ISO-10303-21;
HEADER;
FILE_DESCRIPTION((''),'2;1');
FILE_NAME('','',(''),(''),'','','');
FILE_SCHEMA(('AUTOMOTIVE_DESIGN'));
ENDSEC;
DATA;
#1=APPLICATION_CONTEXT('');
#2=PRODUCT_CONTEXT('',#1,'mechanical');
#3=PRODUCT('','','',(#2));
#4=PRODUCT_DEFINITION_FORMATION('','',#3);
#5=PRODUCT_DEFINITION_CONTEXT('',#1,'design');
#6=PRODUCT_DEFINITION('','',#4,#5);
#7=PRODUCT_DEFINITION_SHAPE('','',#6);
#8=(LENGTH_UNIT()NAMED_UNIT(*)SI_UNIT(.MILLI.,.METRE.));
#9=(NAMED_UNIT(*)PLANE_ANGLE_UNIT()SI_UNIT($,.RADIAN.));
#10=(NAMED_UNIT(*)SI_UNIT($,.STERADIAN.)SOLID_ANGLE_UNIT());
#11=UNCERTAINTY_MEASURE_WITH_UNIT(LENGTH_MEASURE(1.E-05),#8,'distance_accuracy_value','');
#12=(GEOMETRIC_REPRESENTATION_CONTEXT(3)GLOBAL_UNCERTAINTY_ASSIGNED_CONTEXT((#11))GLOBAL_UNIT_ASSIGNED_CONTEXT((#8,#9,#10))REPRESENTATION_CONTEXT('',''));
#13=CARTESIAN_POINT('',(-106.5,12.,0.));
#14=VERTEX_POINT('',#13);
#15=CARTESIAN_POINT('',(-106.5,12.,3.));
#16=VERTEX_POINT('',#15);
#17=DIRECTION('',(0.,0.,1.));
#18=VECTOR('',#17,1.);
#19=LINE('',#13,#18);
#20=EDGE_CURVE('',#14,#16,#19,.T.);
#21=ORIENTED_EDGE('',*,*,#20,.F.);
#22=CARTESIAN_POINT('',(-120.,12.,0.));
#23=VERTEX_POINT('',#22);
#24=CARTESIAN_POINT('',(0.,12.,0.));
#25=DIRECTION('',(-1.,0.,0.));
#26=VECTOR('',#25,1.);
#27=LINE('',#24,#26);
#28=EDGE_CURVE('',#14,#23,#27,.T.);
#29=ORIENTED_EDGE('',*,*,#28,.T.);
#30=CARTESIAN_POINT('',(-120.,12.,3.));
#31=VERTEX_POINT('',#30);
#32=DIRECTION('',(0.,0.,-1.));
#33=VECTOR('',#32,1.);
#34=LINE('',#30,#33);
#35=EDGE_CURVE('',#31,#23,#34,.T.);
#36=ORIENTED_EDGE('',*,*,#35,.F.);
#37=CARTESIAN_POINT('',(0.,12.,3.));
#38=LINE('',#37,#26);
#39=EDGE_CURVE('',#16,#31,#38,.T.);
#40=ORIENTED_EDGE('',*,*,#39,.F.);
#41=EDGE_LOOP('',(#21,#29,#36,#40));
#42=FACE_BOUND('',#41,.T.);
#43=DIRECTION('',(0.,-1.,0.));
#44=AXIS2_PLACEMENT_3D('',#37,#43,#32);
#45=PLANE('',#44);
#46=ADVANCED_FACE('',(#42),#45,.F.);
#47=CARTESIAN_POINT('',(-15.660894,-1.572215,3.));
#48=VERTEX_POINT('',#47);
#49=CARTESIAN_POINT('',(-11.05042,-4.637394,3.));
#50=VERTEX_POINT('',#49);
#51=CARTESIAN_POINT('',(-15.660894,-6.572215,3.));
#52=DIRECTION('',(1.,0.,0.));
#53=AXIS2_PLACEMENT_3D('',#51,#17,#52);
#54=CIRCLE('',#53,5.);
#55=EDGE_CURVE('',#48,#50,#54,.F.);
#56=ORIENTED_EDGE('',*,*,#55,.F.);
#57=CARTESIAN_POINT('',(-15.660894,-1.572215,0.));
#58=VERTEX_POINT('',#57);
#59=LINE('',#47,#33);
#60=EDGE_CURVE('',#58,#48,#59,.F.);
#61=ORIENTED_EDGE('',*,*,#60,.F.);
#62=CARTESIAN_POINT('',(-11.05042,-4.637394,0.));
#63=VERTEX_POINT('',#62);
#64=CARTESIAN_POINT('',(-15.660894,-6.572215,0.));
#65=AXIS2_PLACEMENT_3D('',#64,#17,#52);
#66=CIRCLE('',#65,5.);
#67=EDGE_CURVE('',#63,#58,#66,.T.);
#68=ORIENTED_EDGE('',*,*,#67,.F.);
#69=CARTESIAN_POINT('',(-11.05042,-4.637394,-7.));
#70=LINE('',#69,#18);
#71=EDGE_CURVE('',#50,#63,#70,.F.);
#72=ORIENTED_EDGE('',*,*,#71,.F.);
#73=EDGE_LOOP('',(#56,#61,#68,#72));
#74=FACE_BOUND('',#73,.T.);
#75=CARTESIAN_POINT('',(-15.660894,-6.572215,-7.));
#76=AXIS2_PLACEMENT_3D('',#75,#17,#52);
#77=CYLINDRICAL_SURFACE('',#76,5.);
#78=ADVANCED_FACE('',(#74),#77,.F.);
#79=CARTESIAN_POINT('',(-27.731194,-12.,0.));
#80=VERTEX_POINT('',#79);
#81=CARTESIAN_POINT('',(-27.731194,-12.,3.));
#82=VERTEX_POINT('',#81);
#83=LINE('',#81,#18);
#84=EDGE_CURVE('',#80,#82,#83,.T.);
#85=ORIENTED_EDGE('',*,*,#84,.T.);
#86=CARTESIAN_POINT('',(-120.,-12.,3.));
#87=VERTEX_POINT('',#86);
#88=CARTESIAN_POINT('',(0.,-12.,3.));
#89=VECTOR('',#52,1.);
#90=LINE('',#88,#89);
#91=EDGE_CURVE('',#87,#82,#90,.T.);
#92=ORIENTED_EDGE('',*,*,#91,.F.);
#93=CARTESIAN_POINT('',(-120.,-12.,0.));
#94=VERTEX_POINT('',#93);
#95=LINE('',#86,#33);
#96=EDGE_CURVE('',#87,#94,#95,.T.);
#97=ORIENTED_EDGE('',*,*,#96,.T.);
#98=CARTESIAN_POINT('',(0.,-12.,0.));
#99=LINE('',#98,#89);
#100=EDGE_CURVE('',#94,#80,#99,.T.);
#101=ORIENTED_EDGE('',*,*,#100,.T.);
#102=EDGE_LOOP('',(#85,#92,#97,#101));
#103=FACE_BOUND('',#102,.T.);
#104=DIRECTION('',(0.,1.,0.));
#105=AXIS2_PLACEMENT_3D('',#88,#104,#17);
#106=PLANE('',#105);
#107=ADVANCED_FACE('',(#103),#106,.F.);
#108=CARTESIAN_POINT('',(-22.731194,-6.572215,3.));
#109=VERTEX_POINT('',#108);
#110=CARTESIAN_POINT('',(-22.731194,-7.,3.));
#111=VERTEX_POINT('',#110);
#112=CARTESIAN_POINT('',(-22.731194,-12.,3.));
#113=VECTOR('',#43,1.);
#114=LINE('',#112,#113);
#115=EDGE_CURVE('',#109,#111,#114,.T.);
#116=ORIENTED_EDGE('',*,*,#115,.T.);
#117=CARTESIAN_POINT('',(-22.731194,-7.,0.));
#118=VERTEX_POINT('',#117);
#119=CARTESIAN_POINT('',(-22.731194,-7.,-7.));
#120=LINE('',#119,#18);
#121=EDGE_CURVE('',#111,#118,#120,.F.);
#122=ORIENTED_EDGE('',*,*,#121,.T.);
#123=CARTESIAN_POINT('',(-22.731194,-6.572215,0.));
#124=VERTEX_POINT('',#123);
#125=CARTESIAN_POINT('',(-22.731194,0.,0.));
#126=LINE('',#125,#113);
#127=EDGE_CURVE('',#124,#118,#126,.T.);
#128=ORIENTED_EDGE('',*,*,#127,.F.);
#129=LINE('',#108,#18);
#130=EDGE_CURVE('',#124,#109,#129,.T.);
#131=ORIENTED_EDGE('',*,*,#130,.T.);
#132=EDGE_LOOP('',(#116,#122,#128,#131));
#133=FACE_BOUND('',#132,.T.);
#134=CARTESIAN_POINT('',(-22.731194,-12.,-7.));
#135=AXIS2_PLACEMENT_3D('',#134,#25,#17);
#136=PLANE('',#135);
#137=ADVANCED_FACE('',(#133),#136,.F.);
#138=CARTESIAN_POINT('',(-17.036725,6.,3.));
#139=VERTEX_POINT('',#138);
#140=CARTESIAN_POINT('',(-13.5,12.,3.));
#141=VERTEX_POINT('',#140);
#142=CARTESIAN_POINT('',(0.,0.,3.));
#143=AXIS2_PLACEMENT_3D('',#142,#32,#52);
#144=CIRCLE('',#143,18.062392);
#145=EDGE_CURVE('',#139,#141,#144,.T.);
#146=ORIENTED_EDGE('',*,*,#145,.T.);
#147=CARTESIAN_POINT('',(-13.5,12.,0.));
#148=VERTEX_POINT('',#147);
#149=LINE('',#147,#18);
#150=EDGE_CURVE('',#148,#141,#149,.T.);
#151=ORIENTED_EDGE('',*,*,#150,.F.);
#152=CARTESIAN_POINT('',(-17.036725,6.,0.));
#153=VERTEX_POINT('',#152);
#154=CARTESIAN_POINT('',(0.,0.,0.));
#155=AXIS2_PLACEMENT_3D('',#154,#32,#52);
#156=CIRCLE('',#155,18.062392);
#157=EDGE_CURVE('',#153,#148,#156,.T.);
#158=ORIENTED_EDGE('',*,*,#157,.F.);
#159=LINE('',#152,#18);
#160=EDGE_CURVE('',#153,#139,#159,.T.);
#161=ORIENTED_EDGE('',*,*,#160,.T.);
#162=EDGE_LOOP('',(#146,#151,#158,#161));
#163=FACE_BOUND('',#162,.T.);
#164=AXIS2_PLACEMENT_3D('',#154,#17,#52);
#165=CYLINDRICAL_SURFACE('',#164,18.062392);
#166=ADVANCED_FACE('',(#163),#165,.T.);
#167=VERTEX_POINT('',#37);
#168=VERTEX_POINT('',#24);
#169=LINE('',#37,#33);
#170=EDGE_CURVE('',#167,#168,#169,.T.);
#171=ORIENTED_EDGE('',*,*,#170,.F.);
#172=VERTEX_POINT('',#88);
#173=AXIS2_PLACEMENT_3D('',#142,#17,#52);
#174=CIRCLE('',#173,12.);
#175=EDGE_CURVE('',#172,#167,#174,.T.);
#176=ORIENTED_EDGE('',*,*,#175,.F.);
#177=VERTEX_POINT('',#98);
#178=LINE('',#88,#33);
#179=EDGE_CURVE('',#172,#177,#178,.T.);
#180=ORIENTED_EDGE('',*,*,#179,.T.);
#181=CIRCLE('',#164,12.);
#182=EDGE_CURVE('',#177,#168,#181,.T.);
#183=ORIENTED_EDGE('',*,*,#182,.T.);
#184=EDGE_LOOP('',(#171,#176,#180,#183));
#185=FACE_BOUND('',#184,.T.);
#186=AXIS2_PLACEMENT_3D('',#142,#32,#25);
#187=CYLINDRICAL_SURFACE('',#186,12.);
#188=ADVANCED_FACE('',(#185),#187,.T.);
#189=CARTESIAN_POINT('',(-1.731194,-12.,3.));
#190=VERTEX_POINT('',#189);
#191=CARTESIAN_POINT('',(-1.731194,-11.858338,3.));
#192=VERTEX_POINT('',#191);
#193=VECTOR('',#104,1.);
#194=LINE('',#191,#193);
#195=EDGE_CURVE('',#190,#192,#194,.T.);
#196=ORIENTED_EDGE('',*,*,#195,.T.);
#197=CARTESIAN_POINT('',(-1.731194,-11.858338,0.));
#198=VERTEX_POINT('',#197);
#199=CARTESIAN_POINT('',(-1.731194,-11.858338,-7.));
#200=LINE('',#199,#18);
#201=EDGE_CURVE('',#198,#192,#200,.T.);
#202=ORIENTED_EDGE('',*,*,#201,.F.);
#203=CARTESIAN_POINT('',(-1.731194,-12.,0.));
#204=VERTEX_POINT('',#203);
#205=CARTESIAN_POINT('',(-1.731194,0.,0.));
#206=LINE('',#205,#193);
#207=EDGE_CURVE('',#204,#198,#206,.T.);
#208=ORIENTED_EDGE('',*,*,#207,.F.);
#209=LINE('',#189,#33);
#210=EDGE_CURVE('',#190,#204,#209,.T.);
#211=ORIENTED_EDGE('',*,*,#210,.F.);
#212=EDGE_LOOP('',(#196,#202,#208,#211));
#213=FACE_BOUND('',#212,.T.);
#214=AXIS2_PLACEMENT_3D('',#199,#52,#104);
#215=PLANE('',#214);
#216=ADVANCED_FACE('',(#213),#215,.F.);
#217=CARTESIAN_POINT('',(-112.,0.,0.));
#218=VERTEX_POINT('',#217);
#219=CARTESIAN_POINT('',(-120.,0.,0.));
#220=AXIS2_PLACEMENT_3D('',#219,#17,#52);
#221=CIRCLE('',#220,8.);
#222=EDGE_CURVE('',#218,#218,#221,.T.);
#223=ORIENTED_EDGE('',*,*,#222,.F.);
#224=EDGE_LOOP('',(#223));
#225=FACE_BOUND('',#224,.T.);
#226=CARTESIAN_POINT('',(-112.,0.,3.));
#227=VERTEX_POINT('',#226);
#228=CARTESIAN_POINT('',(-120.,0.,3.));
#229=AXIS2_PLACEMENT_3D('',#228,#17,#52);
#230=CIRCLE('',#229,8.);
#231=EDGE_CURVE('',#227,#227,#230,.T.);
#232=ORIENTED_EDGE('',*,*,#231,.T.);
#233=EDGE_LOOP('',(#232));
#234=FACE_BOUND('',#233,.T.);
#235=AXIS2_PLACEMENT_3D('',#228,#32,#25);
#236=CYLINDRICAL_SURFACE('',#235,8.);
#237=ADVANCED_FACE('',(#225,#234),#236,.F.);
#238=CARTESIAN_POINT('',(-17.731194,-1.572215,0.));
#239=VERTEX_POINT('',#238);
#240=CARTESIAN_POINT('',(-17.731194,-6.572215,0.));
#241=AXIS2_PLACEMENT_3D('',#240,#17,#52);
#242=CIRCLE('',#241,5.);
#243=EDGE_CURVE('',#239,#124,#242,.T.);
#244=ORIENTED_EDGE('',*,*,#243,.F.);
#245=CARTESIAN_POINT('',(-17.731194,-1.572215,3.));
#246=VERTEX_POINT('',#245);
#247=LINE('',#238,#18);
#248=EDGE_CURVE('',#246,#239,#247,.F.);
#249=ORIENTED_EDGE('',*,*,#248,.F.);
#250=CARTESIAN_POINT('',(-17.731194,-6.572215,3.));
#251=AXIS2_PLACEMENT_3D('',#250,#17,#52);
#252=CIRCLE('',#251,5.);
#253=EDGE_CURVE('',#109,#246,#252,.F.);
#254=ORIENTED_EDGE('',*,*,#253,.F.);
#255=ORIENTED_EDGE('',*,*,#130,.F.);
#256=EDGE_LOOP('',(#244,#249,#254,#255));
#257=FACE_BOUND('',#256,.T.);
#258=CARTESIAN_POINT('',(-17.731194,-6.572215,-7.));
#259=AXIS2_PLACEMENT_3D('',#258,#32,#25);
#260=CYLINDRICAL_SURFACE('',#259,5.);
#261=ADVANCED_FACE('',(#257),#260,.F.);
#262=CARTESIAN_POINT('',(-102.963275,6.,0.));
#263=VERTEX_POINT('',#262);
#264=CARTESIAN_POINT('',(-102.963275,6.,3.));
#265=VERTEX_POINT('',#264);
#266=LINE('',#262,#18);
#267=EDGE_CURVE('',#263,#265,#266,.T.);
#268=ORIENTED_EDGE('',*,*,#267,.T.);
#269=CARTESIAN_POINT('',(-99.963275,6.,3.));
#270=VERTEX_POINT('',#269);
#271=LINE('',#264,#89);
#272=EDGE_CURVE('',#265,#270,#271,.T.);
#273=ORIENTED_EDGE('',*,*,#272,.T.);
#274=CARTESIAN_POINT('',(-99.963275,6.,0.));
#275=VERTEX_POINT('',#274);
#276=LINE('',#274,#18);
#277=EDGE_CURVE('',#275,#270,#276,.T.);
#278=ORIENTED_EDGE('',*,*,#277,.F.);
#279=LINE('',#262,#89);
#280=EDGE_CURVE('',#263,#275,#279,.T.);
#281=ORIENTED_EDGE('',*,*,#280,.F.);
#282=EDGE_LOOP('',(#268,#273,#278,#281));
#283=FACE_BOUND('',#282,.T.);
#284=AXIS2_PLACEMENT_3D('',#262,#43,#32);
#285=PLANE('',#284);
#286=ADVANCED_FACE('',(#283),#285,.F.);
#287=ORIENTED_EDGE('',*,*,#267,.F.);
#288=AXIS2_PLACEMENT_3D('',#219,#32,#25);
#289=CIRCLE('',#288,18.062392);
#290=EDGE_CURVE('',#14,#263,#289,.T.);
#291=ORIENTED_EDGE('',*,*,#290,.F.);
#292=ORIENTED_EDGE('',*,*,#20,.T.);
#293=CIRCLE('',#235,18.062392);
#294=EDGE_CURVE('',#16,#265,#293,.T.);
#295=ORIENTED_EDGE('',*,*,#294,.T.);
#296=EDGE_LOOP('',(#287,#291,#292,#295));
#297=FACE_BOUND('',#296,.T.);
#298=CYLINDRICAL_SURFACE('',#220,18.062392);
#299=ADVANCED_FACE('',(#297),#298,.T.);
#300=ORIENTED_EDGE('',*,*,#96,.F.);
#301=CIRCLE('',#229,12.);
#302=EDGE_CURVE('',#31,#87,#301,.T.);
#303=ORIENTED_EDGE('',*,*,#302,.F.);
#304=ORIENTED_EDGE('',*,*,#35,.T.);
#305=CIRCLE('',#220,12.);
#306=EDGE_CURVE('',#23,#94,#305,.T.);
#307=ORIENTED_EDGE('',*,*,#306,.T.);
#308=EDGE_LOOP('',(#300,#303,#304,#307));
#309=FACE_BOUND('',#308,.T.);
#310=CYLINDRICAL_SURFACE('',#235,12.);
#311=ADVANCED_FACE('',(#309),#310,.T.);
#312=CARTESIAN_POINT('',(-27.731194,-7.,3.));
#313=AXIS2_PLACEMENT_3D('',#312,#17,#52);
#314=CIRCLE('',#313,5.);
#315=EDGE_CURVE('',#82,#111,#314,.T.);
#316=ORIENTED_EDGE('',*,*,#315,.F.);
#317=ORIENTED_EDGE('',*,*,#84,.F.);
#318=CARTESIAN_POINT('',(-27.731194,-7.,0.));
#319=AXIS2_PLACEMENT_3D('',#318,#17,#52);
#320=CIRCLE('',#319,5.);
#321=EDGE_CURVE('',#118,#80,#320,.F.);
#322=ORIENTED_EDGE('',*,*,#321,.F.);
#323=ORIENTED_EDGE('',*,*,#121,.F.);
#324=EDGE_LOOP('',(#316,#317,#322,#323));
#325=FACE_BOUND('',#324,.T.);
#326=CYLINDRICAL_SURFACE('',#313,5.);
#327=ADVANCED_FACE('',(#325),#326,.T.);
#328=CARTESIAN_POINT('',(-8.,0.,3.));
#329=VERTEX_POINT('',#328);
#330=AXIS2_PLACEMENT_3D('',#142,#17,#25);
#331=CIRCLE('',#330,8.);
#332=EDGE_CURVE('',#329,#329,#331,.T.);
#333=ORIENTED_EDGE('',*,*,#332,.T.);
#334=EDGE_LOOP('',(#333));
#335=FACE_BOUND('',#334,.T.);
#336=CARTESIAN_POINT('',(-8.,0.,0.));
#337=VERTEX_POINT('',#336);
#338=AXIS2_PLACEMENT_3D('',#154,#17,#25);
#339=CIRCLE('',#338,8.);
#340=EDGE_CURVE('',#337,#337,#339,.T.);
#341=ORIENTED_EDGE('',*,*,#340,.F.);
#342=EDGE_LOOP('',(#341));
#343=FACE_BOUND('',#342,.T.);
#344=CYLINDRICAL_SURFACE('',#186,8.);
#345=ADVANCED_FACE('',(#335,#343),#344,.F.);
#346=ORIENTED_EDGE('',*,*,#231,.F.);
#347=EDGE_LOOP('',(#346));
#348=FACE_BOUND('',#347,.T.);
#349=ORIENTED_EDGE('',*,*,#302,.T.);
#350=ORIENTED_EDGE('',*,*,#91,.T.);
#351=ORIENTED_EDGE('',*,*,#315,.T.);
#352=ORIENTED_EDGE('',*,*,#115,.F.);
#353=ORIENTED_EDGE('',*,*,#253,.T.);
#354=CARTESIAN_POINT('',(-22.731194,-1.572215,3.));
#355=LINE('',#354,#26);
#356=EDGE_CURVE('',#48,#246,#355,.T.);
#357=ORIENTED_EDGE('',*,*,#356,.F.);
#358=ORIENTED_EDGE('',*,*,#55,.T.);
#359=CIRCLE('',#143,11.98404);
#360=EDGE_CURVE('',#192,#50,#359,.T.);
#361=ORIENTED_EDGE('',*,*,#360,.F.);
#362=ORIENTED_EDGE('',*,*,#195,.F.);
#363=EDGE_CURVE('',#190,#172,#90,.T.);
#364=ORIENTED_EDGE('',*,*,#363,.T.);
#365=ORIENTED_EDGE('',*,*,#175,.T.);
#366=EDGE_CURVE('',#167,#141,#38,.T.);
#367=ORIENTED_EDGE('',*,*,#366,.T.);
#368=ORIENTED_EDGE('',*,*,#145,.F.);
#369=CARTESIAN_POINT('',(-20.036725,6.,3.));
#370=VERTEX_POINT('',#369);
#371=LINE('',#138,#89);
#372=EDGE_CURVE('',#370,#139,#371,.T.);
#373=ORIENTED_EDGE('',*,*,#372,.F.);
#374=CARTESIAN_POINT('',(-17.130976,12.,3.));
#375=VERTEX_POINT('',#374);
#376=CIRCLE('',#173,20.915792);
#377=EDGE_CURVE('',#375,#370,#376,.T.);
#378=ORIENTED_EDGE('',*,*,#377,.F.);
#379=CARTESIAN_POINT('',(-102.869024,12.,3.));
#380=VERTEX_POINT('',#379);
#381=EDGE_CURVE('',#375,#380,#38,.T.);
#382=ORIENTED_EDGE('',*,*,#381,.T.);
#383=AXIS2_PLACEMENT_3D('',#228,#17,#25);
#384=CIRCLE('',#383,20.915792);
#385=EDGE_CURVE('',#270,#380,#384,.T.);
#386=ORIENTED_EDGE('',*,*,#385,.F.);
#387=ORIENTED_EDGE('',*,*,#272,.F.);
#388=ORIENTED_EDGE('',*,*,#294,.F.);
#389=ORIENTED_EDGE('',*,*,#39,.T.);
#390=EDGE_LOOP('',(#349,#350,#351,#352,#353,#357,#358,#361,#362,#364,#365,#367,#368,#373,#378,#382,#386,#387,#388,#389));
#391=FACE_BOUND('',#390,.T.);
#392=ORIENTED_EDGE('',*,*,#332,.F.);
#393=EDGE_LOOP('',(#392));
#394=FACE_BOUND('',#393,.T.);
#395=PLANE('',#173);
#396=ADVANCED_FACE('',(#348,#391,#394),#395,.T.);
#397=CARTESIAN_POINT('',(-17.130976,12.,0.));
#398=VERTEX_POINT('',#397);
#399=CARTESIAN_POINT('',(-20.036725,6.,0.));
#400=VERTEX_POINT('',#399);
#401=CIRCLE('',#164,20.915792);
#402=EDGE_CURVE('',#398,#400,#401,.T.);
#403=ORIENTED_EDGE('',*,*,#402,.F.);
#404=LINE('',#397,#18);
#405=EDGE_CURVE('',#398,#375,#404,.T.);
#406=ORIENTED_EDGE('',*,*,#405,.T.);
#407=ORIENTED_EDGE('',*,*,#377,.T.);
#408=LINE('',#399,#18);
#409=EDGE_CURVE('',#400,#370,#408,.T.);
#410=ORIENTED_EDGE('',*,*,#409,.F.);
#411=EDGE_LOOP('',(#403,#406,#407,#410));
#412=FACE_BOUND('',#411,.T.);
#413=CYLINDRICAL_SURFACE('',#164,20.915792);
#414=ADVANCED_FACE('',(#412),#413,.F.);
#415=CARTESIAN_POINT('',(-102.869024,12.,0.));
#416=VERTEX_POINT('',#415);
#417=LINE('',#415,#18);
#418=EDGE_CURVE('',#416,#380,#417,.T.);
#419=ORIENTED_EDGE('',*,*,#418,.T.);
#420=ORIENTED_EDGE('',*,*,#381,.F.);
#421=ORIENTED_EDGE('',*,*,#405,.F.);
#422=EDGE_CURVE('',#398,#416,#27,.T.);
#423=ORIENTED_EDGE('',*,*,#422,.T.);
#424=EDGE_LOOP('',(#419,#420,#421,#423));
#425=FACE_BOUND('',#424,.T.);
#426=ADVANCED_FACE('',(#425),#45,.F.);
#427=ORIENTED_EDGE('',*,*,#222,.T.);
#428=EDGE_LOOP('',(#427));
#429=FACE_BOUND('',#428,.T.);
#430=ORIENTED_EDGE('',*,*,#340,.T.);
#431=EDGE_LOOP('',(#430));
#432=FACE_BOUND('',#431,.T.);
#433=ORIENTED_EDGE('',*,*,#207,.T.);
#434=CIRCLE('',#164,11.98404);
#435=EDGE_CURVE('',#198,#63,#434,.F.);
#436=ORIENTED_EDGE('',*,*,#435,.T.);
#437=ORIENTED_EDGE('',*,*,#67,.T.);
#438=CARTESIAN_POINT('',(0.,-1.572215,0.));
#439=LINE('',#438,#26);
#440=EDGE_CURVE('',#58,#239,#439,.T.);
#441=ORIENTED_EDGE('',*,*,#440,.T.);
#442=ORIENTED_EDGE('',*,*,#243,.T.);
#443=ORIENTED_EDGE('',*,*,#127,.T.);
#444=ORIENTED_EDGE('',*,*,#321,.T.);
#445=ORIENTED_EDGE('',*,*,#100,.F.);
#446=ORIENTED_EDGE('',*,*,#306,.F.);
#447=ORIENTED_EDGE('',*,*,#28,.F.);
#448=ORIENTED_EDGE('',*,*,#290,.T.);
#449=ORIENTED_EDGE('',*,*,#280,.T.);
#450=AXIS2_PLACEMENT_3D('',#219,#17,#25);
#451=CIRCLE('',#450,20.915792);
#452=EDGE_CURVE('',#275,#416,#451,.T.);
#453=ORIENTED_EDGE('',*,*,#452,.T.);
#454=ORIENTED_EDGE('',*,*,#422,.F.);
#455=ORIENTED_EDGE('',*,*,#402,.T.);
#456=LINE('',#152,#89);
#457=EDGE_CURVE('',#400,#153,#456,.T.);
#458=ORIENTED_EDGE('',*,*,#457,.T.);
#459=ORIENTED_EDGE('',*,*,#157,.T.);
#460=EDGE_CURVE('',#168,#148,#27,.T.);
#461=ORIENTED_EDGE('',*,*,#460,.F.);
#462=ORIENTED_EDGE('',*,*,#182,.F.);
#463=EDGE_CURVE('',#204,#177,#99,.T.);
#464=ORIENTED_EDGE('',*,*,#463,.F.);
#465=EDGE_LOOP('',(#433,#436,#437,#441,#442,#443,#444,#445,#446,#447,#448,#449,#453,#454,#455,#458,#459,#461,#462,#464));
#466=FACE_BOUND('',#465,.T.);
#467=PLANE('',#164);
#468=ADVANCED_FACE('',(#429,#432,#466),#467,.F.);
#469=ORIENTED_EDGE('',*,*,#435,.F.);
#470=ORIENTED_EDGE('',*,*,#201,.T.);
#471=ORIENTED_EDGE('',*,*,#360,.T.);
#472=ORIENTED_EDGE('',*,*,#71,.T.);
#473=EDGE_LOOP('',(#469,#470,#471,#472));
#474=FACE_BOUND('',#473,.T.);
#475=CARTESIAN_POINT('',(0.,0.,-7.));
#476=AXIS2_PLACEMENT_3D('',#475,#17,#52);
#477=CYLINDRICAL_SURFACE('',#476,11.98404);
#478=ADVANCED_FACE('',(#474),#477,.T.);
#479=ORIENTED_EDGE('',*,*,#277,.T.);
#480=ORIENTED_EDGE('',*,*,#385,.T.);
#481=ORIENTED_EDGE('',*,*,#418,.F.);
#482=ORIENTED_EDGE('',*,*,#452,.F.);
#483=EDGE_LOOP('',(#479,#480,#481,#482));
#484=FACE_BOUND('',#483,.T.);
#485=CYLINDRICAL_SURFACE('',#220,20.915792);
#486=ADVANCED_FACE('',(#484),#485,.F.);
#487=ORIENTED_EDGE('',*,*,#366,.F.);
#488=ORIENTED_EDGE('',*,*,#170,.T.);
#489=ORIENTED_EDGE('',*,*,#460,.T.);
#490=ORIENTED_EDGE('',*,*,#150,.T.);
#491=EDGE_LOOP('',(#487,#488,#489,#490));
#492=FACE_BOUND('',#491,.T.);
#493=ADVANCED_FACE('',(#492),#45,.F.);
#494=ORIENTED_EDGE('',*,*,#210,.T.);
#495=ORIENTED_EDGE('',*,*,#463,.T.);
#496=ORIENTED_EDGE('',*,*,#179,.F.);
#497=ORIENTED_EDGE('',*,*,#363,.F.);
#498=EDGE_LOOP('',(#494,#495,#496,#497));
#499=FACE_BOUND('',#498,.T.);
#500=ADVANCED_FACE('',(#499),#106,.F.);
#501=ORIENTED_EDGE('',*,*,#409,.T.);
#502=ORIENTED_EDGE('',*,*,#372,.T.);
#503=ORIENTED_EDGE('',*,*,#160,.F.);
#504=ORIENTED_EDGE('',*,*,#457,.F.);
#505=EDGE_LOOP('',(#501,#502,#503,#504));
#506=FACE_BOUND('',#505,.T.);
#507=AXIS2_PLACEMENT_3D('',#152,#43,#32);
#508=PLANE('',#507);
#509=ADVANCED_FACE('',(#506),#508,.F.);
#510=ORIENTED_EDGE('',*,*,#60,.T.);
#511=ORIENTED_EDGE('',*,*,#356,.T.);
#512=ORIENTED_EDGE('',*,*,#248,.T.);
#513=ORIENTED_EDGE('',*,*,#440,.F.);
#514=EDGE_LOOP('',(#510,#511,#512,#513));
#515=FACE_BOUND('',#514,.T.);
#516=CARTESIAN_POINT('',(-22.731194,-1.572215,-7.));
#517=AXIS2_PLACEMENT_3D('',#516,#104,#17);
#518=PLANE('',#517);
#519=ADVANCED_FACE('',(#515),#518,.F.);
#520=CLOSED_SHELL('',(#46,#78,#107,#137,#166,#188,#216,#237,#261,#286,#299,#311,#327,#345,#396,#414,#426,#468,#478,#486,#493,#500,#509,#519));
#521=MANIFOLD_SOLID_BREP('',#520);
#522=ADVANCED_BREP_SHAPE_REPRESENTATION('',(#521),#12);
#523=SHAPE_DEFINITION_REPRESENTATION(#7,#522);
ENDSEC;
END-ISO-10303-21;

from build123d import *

# Parameters (mm, degrees)
SKETCH1_R           = 8
BOSS_EXTRUDE1_DEPTH = 3
CUT_EXTRUDE1_DEPTH  = 133.578278764
CUT_EXTRUDE8_DEPTH  = 10
FILLET2_R           = 5
FILLET3_R           = 5
FILLET4_R           = 5


with BuildPart() as part:
    # Sketch1 → Boss-Extrude1 (new body)
    with BuildSketch(Plane.XY):
        with BuildLine():
            Line((0, -12), (-120, -12))
            ThreePointArc((-120, -12), (-132, 0), (-120, 12))
            Line((-120, 12), (0, 12))
            ThreePointArc((0, 12), (12, 0), (0, -12))
        make_face()
        with Locations((-120, 0)):
            Circle(SKETCH1_R, mode=Mode.SUBTRACT)
        with Locations(Location((0, 0, 0), (0, 0, 180))):
            Circle(SKETCH1_R, mode=Mode.SUBTRACT)
    extrude(amount=BOSS_EXTRUDE1_DEPTH)

    # Sketch2 → Cut-Extrude1 (cut, through all)
    with BuildSketch(Plane.XY.offset(3)):
        with BuildLine():
            Line((-17.036725037, 6), (-20.036725037, 6))
            ThreePointArc((-20.036725037, 6), (-18.824439071, 9.116514898), (-17.130976336, 12))
            Line((-17.130976336, 12), (-13.5, 12))
            ThreePointArc((-13.5, 12), (-15.560298648, 9.172082969), (-17.036725037, 6))
        make_face()
        with BuildLine():
            Line((-102.963274963, 6), (-99.963274963, 6))
            ThreePointArc((-99.963274963, 6), (-101.175560929, 9.116514898), (-102.869023664, 12))
            Line((-102.869023664, 12), (-106.5, 12))
            ThreePointArc((-106.5, 12), (-104.439701352, 9.172082969), (-102.963274963, 6))
        make_face()
    extrude(amount=-CUT_EXTRUDE1_DEPTH, mode=Mode.SUBTRACT)

    # Sketch5 → Cut-Extrude8 (cut)
    with BuildSketch(Plane.XY.offset(3)):
        with BuildLine():
            Line((-1.731193523, -11.858337769), (-1.731193523, -12))
            Line((-1.731193523, -12), (-22.731193523, -12))
            Line((-22.731193523, -12), (-22.731193523, -2.344249067))
            Line((-22.731193523, -2.344249067), (-22.731193523, -1.572214532))
            Line((-22.731193523, -1.572214532), (-11.880460729, -1.572214532))
            ThreePointArc((-11.880460729, -1.572214532), (-8.530554828, -8.417056492), (-1.731193523, -11.858337769))
        make_face()
    extrude(amount=-CUT_EXTRUDE8_DEPTH, mode=Mode.SUBTRACT)

    # Fillet2
    fillet2_edges = [part.edges().sort_by_distance(p)[0] for p in [
        (-22.731193523, -1.572214532, 1.5),
    ]]
    fillet(fillet2_edges, radius=FILLET2_R)

    # Fillet3
    fillet3_edges = [part.edges().sort_by_distance(p)[0] for p in [
        (-11.880460729, -1.572214532, 1.5),
    ]]
    fillet(fillet3_edges, radius=FILLET3_R)

    # Fillet4
    fillet4_edges = [part.edges().sort_by_distance(p)[0] for p in [
        (-22.731193523, -12, 1.5),
    ]]
    fillet(fillet4_edges, radius=FILLET4_R)


solid = part.part
